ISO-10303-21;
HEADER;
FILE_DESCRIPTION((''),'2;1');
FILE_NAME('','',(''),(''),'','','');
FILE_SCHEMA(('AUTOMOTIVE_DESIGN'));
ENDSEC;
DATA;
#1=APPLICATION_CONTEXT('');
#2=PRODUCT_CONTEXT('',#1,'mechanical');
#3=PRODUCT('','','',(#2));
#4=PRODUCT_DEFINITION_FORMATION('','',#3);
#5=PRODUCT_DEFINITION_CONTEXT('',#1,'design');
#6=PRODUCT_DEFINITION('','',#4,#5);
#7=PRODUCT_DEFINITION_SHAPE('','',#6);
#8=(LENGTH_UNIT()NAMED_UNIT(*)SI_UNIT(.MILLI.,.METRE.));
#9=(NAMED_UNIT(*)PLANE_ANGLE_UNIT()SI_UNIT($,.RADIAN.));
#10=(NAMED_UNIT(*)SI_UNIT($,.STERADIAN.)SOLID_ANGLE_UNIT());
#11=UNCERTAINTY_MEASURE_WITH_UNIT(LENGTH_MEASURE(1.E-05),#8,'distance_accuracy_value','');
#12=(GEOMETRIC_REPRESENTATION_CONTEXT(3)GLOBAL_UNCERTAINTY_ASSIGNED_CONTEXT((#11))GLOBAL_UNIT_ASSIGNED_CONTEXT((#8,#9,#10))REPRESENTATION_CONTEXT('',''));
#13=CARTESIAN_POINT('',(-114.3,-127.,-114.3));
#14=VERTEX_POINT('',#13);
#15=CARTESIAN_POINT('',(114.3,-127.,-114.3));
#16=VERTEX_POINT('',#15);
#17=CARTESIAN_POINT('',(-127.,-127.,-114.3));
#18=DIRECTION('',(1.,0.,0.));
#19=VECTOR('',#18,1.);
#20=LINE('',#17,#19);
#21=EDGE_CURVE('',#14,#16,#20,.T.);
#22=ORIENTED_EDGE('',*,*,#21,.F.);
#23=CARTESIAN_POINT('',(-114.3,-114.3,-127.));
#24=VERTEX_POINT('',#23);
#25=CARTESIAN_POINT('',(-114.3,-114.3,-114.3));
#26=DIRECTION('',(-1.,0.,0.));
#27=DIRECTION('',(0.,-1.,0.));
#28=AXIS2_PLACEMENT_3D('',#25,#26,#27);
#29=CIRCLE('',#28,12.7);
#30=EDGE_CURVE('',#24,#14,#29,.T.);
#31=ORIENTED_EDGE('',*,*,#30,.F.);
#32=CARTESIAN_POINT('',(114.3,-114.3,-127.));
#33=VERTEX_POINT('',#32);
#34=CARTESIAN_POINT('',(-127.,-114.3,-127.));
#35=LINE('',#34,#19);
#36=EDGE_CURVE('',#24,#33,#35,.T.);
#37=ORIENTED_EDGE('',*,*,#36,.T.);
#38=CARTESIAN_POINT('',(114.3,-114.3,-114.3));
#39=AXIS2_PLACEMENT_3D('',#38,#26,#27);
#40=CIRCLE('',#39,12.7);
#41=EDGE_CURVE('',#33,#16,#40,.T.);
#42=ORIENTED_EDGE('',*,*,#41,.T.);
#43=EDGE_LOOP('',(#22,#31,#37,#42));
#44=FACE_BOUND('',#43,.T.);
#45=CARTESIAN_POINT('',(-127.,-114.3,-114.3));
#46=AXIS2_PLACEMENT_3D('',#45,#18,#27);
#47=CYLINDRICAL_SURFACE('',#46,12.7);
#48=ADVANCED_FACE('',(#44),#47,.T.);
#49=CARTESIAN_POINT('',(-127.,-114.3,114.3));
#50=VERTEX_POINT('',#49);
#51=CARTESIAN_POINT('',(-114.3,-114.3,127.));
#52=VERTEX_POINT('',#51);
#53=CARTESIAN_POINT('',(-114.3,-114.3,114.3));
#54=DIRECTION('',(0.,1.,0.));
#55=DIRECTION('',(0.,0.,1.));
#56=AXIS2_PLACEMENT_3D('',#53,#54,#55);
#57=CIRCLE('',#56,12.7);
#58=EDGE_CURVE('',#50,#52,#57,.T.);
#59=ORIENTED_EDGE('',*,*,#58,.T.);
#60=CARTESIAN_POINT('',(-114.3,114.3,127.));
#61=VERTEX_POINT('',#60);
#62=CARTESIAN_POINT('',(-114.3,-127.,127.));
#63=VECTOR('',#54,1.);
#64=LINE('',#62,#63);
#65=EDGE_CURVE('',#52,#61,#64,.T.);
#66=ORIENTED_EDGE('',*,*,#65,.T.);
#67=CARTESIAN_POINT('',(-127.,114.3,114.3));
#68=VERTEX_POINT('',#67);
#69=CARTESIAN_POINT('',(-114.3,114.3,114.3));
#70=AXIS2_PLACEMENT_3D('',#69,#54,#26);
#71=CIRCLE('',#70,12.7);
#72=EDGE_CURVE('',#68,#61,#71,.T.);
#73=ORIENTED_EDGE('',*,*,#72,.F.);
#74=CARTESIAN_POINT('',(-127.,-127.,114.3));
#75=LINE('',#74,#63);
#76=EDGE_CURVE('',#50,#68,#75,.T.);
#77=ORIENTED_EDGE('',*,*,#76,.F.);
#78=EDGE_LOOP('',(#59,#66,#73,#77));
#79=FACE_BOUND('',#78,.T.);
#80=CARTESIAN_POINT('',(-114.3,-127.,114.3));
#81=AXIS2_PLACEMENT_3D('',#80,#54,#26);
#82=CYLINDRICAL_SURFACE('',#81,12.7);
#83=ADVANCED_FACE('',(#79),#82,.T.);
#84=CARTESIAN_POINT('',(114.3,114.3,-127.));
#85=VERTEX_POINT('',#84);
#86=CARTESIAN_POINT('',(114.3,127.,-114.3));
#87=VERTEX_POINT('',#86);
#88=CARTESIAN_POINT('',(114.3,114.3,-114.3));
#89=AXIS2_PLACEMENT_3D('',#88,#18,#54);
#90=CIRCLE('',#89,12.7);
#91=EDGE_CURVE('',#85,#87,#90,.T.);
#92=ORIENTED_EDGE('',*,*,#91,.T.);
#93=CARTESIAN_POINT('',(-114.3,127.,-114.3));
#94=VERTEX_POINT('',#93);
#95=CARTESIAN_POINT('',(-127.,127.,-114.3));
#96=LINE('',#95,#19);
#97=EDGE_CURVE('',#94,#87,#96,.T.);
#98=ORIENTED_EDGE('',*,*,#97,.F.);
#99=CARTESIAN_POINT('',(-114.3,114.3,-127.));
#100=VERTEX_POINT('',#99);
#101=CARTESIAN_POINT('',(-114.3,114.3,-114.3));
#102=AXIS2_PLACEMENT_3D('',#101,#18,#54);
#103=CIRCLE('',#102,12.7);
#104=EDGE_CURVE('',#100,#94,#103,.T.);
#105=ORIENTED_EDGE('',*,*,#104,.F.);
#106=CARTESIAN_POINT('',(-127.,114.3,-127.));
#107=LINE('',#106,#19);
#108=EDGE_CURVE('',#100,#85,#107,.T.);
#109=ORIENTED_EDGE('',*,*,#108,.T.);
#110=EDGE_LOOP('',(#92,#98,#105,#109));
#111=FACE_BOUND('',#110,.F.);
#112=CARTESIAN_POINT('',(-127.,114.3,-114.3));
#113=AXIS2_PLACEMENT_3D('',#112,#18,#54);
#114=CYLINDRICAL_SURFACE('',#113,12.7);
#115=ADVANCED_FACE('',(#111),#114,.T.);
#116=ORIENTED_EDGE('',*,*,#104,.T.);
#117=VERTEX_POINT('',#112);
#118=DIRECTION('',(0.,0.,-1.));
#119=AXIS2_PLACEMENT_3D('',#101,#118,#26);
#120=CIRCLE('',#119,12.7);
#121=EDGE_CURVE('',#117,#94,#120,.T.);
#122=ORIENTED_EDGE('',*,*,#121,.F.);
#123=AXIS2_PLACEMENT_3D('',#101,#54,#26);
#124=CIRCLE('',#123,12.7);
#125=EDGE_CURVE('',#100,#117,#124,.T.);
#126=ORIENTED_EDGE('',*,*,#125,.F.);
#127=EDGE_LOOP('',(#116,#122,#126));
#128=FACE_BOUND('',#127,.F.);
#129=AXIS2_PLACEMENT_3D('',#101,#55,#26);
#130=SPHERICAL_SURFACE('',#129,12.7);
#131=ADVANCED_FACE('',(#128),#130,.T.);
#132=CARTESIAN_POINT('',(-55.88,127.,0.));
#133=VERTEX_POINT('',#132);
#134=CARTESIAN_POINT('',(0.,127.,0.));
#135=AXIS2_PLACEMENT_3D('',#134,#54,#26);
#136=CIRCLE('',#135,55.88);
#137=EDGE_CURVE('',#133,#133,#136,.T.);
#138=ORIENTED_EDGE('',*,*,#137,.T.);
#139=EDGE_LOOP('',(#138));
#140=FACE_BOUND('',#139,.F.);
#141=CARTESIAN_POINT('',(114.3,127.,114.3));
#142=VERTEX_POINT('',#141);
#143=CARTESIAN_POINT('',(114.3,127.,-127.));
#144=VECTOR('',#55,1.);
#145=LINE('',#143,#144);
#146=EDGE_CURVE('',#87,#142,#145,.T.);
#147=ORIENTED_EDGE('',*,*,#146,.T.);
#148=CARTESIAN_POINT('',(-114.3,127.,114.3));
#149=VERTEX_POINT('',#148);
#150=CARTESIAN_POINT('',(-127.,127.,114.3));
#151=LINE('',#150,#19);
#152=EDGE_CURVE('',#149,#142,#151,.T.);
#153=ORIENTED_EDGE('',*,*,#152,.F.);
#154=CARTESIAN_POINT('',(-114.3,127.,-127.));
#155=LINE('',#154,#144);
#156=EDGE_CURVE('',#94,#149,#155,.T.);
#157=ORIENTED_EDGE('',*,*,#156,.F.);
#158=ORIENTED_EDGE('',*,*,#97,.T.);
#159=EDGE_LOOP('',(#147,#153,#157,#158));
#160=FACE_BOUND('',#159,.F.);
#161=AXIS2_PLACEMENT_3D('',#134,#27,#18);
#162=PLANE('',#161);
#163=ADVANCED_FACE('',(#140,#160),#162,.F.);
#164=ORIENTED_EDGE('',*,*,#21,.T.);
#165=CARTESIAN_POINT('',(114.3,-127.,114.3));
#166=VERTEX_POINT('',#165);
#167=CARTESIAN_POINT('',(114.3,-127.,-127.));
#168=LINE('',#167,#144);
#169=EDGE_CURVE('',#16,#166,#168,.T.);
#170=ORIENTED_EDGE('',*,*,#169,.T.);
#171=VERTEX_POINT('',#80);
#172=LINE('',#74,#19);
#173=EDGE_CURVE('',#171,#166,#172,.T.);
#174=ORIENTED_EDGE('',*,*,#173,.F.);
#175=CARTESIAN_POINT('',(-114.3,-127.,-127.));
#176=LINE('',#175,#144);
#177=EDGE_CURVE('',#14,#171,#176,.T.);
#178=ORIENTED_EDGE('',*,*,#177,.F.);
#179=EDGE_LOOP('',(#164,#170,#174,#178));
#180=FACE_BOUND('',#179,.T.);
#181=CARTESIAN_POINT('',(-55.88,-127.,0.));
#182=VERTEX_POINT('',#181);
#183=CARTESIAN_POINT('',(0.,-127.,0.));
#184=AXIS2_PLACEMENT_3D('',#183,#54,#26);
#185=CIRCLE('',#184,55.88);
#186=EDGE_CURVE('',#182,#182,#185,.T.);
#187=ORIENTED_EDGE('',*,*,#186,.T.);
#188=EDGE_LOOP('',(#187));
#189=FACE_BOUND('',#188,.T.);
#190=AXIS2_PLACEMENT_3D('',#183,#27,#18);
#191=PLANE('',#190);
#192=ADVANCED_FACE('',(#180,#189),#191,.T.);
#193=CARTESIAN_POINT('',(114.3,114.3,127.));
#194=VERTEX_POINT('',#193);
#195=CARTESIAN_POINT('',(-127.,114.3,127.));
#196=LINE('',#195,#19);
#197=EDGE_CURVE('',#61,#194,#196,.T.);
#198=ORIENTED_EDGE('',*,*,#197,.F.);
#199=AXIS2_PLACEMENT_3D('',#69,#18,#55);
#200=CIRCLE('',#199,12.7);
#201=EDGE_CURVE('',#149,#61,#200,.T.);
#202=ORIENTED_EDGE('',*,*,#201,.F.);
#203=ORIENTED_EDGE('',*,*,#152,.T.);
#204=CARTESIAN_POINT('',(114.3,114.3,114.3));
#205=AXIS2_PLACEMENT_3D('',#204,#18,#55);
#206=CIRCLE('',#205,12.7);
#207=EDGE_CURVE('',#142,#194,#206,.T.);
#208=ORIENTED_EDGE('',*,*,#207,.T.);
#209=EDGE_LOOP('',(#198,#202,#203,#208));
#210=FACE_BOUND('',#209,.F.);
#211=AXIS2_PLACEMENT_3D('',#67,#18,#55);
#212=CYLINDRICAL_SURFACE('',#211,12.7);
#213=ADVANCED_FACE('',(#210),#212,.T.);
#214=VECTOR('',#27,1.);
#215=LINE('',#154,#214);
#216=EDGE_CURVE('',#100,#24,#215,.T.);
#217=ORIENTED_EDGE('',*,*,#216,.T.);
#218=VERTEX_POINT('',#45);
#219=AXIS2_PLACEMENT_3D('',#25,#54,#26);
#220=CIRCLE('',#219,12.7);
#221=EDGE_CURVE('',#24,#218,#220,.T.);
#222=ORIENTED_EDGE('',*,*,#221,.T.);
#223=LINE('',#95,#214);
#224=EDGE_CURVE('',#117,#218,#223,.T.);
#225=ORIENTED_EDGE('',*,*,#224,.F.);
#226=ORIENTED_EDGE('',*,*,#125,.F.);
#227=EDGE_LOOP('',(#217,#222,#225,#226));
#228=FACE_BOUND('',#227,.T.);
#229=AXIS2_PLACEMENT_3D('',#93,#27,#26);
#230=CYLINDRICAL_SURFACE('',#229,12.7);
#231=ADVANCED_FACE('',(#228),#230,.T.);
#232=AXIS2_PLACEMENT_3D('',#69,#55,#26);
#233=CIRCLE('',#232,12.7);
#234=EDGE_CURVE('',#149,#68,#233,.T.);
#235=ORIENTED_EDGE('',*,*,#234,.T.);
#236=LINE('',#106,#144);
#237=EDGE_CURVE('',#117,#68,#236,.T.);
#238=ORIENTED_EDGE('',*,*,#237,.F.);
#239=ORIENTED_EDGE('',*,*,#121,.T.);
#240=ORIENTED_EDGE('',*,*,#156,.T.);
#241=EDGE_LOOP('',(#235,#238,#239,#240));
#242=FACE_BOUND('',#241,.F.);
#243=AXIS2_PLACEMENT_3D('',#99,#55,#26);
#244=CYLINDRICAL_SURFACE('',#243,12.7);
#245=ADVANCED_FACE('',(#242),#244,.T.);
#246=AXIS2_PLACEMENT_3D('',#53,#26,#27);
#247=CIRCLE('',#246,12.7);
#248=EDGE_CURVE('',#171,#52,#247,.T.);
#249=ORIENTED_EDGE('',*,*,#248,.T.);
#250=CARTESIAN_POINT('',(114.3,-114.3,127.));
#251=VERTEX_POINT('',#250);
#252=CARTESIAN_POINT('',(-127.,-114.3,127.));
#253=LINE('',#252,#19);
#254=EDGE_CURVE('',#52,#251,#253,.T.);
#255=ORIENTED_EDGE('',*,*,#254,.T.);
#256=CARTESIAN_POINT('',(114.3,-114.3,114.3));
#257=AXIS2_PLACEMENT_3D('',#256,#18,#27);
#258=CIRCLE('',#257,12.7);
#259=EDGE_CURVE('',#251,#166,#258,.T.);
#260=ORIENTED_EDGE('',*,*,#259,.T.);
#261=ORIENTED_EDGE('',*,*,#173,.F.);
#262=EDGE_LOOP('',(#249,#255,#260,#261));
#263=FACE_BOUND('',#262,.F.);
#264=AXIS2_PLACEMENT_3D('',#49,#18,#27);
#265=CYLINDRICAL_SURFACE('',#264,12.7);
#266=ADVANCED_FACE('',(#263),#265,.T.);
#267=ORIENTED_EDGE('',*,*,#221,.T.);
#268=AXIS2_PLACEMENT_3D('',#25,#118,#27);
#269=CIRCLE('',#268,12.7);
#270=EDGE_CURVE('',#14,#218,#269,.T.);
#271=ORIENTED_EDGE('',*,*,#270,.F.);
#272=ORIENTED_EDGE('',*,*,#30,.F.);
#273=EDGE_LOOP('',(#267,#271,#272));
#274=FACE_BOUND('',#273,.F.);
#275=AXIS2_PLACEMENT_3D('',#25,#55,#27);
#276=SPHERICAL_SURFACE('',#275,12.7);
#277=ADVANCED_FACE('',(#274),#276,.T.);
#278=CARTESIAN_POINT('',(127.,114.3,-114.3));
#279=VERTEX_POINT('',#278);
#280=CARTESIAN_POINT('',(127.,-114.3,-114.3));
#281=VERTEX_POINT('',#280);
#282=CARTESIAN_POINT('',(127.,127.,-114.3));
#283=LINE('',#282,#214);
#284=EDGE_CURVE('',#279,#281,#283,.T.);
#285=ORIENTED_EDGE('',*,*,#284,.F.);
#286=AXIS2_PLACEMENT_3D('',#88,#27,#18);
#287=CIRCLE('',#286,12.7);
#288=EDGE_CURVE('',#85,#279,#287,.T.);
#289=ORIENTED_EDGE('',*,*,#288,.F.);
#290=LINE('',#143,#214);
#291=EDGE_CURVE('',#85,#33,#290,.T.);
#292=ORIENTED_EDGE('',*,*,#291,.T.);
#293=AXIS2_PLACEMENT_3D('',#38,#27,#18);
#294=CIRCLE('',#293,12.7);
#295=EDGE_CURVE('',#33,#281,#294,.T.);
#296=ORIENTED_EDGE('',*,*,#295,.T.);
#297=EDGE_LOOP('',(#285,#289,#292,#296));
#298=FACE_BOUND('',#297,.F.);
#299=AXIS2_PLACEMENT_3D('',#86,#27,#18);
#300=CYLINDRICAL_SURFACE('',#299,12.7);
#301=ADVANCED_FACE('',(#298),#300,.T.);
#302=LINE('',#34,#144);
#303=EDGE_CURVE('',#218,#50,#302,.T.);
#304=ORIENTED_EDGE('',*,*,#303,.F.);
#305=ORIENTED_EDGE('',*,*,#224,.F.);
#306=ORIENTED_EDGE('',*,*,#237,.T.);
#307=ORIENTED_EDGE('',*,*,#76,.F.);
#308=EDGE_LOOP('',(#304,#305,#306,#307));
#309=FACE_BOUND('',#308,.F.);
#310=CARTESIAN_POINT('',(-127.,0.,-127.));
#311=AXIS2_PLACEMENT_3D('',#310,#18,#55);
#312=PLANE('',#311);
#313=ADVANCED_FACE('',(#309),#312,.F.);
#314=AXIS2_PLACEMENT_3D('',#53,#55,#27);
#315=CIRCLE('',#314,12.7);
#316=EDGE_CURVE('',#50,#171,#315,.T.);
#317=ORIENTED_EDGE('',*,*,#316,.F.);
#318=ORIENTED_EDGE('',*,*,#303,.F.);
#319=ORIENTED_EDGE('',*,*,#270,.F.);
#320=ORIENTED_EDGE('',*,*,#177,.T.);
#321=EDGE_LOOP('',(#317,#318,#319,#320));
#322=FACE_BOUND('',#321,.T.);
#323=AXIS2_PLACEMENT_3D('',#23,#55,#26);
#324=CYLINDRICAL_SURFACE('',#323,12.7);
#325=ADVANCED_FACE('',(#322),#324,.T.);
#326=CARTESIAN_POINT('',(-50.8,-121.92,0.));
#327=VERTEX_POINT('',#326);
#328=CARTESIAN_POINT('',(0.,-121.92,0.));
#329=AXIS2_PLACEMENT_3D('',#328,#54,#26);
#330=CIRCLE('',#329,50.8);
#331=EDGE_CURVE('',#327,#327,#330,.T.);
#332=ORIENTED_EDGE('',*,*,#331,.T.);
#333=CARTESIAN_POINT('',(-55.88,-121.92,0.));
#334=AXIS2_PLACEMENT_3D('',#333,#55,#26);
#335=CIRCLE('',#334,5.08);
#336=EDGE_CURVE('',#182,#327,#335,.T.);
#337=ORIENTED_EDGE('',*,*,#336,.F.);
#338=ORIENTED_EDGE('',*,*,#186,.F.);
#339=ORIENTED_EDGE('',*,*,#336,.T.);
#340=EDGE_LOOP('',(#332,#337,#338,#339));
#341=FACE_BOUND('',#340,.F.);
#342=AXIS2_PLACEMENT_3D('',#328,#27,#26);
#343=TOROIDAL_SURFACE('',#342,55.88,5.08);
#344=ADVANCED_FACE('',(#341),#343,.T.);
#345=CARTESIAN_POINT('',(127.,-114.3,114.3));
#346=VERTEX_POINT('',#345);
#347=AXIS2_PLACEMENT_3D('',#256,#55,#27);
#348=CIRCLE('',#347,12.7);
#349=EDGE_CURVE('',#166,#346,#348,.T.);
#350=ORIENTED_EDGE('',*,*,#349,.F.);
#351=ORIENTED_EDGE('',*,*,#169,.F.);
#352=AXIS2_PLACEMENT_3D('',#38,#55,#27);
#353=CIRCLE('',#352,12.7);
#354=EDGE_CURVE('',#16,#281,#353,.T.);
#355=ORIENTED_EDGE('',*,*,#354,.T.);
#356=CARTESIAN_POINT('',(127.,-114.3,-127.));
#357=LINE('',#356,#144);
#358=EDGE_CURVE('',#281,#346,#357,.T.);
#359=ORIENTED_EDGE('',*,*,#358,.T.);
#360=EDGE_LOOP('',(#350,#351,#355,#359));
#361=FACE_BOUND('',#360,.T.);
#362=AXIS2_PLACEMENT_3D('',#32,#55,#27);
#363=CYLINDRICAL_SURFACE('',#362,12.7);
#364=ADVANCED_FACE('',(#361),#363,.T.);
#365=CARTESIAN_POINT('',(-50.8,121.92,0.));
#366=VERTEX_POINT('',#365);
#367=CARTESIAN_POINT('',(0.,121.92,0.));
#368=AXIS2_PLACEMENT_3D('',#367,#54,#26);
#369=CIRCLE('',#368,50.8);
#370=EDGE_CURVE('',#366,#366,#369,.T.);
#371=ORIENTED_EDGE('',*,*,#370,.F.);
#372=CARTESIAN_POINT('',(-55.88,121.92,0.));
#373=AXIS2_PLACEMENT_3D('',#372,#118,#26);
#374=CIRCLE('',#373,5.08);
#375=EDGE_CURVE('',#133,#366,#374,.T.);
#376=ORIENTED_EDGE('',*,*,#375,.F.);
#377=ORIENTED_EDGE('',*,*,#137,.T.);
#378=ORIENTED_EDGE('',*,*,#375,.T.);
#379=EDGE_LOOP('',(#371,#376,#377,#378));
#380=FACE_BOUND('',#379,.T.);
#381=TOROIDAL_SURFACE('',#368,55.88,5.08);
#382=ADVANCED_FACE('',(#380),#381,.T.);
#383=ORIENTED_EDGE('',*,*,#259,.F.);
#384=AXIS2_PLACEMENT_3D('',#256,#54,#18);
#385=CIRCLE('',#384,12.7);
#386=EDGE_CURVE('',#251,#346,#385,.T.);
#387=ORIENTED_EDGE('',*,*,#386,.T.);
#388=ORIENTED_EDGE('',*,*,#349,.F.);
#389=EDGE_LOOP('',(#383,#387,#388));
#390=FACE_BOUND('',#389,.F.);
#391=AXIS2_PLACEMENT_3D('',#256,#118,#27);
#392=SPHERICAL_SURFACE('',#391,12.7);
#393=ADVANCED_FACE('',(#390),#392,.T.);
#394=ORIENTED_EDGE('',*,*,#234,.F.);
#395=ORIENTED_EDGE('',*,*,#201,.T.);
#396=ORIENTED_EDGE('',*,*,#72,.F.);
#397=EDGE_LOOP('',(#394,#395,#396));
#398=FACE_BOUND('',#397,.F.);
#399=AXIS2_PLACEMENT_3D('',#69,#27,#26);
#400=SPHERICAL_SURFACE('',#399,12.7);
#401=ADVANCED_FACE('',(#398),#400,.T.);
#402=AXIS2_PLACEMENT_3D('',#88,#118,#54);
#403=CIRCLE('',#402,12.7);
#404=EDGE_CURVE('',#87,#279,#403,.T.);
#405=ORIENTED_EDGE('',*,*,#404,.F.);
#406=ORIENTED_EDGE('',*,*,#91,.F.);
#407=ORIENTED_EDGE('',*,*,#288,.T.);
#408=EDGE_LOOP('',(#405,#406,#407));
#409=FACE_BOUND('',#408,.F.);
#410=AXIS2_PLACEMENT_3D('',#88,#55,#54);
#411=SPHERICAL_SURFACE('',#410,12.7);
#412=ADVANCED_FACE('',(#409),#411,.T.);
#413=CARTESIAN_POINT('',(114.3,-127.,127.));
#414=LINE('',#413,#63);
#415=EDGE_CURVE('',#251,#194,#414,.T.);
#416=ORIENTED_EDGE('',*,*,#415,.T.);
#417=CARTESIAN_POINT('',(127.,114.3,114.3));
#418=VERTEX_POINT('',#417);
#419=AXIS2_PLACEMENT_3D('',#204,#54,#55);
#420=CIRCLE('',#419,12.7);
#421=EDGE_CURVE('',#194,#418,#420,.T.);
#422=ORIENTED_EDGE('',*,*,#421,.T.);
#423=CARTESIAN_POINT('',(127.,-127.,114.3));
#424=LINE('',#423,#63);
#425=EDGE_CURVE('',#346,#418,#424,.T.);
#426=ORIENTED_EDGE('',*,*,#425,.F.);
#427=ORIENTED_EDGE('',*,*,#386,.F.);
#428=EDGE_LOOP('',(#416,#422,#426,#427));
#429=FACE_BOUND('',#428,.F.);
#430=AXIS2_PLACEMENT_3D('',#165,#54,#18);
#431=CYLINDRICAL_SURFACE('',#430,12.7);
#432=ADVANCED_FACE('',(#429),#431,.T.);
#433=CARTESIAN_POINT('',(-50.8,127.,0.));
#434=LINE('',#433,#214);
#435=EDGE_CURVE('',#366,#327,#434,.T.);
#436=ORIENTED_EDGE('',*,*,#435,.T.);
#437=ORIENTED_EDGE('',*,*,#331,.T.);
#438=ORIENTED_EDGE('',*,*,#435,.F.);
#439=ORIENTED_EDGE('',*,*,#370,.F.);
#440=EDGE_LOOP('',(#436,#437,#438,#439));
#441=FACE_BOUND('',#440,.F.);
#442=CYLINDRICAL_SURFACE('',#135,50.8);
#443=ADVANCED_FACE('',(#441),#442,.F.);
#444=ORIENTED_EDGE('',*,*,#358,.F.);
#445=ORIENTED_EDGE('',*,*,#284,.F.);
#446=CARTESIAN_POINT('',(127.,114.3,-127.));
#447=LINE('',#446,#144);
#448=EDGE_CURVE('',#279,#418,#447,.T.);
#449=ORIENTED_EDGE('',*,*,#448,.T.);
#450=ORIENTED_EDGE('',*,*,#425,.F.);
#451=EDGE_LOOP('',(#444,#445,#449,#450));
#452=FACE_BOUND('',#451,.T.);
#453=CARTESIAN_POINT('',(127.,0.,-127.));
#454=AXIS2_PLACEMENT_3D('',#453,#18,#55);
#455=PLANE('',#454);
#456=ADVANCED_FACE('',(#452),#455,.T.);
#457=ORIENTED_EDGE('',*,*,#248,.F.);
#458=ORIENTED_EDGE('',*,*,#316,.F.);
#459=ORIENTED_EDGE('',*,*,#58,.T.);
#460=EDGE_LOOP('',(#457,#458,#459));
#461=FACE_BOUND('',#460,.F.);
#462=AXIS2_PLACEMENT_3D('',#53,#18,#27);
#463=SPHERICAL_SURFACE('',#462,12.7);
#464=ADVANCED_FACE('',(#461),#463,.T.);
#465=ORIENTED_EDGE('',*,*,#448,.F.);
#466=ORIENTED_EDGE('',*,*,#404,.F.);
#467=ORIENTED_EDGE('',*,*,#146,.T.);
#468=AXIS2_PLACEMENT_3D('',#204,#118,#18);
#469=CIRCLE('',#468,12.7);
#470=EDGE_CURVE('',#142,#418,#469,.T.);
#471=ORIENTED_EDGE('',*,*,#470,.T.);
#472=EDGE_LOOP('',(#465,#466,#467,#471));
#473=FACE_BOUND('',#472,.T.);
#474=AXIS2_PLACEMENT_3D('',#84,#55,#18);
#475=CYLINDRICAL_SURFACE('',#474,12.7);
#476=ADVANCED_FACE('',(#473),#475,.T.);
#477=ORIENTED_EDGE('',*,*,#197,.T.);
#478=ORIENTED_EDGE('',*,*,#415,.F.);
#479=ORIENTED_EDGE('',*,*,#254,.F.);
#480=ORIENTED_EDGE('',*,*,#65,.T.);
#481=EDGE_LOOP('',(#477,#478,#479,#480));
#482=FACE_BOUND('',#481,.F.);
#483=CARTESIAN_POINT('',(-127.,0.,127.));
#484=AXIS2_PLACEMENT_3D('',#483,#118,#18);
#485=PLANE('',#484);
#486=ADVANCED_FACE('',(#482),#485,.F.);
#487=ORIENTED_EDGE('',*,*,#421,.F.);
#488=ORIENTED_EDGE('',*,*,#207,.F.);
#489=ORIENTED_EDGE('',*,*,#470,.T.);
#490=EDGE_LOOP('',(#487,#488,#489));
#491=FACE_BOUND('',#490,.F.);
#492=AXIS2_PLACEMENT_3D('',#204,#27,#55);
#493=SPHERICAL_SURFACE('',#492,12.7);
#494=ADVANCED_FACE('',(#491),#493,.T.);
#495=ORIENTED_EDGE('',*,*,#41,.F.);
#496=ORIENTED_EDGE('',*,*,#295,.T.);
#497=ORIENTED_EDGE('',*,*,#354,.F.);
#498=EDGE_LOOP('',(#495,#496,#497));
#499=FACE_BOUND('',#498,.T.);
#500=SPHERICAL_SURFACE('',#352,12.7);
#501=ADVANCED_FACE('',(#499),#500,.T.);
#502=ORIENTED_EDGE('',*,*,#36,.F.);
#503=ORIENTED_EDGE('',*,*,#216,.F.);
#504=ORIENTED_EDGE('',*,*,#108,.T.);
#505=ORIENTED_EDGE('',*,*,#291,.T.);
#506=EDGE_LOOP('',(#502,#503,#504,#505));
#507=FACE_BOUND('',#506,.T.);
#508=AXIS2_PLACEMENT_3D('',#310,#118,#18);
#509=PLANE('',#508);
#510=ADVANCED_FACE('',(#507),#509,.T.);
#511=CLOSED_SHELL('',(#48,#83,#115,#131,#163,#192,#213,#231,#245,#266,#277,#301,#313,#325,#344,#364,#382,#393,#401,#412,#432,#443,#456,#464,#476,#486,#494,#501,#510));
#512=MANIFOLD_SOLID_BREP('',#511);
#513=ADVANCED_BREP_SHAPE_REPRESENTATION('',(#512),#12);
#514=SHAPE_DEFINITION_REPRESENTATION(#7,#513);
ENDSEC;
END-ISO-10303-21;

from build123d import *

# Parameters (mm, degrees)
F0_W     = 254
F0_H     = 254
F1_DEPTH = 127
F2_R     = 12.7
F3_R     = 50.8
F4_DEPTH = 254.001
F5_R     = 5.08


with BuildPart() as f1:
    # F0 (on Front) → F1 (new body, symmetric)
    with BuildSketch(Plane.XZ):
        Rectangle(F0_W, F0_H)
    extrude(amount=F1_DEPTH, both=True)

    # F2
    f2_edges = [f1.edges().sort_by_distance(p)[0] for p in [
        (127, -127, 0),
        (0, -127, 127),
        (-127, -127, 0),
        (0, -127, -127),
        (-127, 0, 127),
        (-127, 127, 0),
        (-127, 0, -127),
        (127, 0, 127),
        (0, 127, 127),
        (127, 127, 0),
        (0, 127, -127),
        (127, 0, -127),
    ]]
    fillet(f2_edges, radius=F2_R)

    # F3 (on face) → F4 (cut, through all)
    with BuildSketch(Plane(origin=(0, 127, 0), x_dir=(-1, 0, 0), z_dir=(0, 1, 0))):
        Circle(F3_R)
    extrude(amount=-F4_DEPTH, mode=Mode.SUBTRACT)

    # F5
    f5_edges = [f1.edges().sort_by_distance(p)[0] for p in [
        (50.8, 127, 0),
        (50.8, -127, 0),
    ]]
    fillet(f5_edges, radius=F5_R)


solid = f1.part
